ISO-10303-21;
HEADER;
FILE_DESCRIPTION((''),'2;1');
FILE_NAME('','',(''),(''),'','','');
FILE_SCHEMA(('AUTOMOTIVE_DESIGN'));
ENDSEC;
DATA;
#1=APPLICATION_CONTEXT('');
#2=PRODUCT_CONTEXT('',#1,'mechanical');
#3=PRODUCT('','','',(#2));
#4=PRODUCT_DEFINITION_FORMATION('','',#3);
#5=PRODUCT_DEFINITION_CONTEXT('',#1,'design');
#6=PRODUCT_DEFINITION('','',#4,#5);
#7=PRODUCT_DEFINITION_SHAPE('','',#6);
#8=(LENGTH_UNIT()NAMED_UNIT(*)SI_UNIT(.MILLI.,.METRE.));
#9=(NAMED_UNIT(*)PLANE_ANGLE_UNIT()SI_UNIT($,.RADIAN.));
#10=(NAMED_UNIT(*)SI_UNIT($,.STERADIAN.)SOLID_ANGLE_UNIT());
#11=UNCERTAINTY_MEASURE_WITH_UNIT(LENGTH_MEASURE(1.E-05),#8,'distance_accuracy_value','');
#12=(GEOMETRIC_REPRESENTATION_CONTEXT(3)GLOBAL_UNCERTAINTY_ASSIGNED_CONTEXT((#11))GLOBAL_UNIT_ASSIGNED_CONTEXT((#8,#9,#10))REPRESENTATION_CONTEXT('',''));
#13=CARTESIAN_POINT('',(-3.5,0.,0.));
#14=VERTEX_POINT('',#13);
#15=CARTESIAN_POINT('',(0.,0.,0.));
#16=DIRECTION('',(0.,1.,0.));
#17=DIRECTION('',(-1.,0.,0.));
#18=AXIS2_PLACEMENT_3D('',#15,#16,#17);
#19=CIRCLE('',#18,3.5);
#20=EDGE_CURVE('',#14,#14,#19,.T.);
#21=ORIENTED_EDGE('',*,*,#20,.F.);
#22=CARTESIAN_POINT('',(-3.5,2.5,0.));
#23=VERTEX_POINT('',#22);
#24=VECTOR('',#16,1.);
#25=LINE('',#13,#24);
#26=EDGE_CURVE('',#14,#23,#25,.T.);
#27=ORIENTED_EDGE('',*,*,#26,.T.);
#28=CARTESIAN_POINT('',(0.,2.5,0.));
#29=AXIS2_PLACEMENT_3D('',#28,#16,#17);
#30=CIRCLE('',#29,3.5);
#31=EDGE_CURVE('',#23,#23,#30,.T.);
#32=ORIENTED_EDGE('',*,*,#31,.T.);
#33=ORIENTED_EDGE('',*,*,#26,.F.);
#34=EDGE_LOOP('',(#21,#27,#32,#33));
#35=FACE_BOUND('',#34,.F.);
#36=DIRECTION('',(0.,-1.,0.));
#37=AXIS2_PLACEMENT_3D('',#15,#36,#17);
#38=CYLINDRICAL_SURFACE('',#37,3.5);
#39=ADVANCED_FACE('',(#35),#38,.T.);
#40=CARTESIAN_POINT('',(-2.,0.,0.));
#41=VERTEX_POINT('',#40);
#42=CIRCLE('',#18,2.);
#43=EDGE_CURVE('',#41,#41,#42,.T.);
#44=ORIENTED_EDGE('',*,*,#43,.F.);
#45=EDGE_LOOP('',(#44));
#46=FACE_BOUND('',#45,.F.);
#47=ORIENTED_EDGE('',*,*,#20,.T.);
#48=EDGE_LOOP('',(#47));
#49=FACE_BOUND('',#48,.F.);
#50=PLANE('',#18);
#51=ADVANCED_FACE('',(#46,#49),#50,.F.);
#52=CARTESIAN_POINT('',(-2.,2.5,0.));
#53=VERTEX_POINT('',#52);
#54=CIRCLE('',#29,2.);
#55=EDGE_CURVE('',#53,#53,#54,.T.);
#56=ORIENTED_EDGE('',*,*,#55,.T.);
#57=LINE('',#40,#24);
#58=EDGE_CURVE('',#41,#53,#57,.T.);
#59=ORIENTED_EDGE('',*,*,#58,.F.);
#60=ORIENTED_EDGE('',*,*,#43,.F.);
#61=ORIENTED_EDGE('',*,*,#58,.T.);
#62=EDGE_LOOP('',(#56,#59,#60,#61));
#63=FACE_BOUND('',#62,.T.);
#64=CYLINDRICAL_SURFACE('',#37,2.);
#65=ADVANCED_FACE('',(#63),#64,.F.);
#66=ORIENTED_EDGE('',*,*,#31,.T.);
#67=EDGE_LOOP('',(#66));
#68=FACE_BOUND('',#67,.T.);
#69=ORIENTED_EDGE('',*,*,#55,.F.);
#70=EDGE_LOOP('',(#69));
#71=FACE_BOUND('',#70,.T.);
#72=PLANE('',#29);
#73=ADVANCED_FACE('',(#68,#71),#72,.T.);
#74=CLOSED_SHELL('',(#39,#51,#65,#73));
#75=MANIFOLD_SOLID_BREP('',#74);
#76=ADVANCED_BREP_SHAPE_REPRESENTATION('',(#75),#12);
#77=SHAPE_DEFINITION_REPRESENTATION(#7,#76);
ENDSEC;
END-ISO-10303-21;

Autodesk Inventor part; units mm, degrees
ref_plane "YZ Plane" through (0, 0, 0) normal (1, 0, 0) x (0, 1, 0)
ref_plane "XZ Plane" through (0, 0, 0) normal (0, 1, 0) x (-1, 0, 0)
ref_plane "XY Plane" through (0, 0, 0) normal (0, 0, 1) x (1, 0, 0)
sketch "Sketch1" plane through (0, 0, 0) normal (0, 1, 0) x (-1, 0, 0)
  circle A0 centre (0, 0) radius 2
  circle A1 centre (0, 0) radius 3.5
  dimension "d0" = 4
  dimension "d1" = 7
extrude "Extrusion1" add sketch "Sketch1" along normal blind 2.5
properties part number "Hinge_bearing"
